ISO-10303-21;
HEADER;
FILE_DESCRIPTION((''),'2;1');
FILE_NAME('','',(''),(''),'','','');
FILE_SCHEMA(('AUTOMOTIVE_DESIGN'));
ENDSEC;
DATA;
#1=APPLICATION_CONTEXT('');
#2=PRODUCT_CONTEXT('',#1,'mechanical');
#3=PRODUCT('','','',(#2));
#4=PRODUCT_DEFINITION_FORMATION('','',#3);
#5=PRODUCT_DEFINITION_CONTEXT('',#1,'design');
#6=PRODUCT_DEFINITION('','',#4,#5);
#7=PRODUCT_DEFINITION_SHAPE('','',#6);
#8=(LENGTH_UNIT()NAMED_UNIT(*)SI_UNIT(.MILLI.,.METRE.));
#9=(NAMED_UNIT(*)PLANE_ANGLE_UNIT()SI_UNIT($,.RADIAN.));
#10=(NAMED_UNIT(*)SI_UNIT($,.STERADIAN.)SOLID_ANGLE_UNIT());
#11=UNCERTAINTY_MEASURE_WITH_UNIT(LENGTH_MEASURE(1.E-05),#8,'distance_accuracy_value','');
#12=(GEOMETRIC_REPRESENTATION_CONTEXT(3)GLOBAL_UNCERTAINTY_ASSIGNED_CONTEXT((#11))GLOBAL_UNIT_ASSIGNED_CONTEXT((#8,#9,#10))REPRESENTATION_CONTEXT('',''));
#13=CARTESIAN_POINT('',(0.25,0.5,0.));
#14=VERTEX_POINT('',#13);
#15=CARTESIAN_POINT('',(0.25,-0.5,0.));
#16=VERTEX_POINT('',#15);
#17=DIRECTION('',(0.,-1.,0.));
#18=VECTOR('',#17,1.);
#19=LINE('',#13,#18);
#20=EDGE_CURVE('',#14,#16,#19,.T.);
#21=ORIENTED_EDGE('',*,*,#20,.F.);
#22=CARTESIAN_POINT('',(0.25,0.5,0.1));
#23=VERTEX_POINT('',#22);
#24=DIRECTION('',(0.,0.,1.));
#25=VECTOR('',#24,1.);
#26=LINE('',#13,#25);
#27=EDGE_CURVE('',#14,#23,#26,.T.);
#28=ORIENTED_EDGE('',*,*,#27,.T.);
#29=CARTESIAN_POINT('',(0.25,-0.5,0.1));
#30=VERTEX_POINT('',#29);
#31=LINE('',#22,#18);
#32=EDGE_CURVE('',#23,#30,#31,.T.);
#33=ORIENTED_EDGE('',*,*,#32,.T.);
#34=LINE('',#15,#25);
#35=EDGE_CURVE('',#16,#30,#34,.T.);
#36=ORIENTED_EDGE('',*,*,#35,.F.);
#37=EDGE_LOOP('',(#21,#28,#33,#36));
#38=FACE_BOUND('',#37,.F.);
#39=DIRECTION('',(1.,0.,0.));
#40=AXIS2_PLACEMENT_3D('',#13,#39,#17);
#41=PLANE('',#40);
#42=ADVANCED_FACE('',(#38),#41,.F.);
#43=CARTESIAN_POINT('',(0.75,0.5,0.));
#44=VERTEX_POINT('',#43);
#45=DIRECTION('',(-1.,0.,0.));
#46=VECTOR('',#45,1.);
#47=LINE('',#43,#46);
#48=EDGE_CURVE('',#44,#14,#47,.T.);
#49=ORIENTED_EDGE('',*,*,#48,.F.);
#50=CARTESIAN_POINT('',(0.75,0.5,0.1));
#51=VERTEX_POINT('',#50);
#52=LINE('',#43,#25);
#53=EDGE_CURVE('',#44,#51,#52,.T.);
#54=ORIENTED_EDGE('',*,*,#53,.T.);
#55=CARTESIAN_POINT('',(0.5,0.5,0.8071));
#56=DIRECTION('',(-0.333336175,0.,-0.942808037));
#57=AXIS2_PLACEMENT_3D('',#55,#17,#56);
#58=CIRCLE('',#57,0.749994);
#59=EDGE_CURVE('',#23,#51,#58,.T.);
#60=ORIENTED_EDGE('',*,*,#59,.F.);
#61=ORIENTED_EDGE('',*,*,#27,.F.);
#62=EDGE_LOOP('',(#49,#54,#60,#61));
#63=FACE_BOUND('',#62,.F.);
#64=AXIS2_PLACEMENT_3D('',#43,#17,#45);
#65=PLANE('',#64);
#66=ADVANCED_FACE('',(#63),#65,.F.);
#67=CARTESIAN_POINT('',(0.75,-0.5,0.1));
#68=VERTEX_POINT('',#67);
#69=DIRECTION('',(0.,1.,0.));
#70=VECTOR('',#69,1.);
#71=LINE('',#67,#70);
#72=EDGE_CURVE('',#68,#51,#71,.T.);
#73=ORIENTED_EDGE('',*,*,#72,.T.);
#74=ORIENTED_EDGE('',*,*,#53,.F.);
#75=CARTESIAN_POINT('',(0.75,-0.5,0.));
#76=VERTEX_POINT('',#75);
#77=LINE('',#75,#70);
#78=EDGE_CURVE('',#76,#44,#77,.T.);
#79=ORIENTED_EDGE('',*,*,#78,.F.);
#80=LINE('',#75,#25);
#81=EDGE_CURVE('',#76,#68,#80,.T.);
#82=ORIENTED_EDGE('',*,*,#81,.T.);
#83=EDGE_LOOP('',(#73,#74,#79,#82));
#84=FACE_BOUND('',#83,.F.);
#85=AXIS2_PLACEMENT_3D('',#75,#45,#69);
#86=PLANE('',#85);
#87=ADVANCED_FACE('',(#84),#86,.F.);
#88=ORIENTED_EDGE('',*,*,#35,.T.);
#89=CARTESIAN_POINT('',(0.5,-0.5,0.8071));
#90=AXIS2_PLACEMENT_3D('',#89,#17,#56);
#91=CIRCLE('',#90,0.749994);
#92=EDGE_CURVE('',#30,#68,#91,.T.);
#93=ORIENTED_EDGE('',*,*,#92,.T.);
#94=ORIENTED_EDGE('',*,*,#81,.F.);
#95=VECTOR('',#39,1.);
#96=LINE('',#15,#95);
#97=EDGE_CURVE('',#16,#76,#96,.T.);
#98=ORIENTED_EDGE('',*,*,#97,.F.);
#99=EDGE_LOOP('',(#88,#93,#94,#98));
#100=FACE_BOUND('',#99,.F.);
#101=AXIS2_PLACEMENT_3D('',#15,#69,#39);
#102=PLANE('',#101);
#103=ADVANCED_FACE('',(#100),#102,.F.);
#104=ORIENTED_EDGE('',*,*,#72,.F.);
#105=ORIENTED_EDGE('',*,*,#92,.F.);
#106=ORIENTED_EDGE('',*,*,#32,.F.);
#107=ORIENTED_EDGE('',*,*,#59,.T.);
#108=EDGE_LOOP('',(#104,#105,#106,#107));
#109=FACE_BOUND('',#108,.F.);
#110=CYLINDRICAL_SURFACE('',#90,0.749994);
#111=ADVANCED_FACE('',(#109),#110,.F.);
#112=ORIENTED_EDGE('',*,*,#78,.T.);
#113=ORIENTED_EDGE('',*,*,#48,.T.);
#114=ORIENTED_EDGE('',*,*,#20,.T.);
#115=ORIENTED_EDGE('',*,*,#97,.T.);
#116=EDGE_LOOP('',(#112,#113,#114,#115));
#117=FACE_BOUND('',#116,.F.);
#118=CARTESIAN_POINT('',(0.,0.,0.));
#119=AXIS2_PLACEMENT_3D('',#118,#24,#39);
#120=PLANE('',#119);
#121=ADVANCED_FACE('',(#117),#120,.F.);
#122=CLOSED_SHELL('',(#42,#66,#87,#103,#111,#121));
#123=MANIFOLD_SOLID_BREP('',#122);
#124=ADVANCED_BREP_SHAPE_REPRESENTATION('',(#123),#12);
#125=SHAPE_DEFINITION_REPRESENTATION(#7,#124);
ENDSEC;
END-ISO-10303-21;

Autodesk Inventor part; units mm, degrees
ref_plane "YZ Plane" through (0, 0, 0) normal (1, 0, 0) x (0, 1, 0)
ref_plane "XZ Plane" through (0, 0, 0) normal (0, 1, 0) x (-1, 0, 0)
ref_plane "XY Plane" through (0, 0, 0) normal (0, 0, 1) x (1, 0, 0)
sketch "스케치1" plane through (0, 0, 0) normal (0, 0, 1) x (1, 0, 0)
  line L0 (-0.15, 0) -> (0.9, 0) construction
  line L1 (0, -0.7) -> (0, 0.7) construction
  line L2 (0.25, -0.5) -> (0.75, -0.5)
  line L3 (0.75, -0.5) -> (0.75, 0.5)
  line L4 (0.75, 0.5) -> (0.25, 0.5)
  line L5 (0.25, 0.5) -> (0.25, -0.5)
  point P0 (0, 0)
  point P1 (0.5, -0.5)
  dimension "d7" = 0.5
  dimension "d8" = 1
  dimension "d9" = 0.25
extrude "돌출1" add sketch "스케치1" along normal blind 0.1
sketch "스케치4" plane through (0.25, -0.5, 0) normal (0, -1, 0) x (1, 0, 0)
  line L0 (0, 0) -> (0.5, 0) projected
  line L1 (0.5, 0) -> (0.5, 0.1) projected
  line L2 (0, 0.1) -> (0.5, 0.1) projected
  line L3 (0, 0) -> (0, 0.1) projected
  arc A0 (0, 0.1) -> (0.5, 0.1) centre (0.25, 0.8071) ccw
  point P0 (-0.25, 0)
  dimension "d15" = 0.75
extrude "돌출4" cut sketch "스케치4" against normal up to surface (1 mm away) contours L2 A0
properties part number "flat_surface_1"
